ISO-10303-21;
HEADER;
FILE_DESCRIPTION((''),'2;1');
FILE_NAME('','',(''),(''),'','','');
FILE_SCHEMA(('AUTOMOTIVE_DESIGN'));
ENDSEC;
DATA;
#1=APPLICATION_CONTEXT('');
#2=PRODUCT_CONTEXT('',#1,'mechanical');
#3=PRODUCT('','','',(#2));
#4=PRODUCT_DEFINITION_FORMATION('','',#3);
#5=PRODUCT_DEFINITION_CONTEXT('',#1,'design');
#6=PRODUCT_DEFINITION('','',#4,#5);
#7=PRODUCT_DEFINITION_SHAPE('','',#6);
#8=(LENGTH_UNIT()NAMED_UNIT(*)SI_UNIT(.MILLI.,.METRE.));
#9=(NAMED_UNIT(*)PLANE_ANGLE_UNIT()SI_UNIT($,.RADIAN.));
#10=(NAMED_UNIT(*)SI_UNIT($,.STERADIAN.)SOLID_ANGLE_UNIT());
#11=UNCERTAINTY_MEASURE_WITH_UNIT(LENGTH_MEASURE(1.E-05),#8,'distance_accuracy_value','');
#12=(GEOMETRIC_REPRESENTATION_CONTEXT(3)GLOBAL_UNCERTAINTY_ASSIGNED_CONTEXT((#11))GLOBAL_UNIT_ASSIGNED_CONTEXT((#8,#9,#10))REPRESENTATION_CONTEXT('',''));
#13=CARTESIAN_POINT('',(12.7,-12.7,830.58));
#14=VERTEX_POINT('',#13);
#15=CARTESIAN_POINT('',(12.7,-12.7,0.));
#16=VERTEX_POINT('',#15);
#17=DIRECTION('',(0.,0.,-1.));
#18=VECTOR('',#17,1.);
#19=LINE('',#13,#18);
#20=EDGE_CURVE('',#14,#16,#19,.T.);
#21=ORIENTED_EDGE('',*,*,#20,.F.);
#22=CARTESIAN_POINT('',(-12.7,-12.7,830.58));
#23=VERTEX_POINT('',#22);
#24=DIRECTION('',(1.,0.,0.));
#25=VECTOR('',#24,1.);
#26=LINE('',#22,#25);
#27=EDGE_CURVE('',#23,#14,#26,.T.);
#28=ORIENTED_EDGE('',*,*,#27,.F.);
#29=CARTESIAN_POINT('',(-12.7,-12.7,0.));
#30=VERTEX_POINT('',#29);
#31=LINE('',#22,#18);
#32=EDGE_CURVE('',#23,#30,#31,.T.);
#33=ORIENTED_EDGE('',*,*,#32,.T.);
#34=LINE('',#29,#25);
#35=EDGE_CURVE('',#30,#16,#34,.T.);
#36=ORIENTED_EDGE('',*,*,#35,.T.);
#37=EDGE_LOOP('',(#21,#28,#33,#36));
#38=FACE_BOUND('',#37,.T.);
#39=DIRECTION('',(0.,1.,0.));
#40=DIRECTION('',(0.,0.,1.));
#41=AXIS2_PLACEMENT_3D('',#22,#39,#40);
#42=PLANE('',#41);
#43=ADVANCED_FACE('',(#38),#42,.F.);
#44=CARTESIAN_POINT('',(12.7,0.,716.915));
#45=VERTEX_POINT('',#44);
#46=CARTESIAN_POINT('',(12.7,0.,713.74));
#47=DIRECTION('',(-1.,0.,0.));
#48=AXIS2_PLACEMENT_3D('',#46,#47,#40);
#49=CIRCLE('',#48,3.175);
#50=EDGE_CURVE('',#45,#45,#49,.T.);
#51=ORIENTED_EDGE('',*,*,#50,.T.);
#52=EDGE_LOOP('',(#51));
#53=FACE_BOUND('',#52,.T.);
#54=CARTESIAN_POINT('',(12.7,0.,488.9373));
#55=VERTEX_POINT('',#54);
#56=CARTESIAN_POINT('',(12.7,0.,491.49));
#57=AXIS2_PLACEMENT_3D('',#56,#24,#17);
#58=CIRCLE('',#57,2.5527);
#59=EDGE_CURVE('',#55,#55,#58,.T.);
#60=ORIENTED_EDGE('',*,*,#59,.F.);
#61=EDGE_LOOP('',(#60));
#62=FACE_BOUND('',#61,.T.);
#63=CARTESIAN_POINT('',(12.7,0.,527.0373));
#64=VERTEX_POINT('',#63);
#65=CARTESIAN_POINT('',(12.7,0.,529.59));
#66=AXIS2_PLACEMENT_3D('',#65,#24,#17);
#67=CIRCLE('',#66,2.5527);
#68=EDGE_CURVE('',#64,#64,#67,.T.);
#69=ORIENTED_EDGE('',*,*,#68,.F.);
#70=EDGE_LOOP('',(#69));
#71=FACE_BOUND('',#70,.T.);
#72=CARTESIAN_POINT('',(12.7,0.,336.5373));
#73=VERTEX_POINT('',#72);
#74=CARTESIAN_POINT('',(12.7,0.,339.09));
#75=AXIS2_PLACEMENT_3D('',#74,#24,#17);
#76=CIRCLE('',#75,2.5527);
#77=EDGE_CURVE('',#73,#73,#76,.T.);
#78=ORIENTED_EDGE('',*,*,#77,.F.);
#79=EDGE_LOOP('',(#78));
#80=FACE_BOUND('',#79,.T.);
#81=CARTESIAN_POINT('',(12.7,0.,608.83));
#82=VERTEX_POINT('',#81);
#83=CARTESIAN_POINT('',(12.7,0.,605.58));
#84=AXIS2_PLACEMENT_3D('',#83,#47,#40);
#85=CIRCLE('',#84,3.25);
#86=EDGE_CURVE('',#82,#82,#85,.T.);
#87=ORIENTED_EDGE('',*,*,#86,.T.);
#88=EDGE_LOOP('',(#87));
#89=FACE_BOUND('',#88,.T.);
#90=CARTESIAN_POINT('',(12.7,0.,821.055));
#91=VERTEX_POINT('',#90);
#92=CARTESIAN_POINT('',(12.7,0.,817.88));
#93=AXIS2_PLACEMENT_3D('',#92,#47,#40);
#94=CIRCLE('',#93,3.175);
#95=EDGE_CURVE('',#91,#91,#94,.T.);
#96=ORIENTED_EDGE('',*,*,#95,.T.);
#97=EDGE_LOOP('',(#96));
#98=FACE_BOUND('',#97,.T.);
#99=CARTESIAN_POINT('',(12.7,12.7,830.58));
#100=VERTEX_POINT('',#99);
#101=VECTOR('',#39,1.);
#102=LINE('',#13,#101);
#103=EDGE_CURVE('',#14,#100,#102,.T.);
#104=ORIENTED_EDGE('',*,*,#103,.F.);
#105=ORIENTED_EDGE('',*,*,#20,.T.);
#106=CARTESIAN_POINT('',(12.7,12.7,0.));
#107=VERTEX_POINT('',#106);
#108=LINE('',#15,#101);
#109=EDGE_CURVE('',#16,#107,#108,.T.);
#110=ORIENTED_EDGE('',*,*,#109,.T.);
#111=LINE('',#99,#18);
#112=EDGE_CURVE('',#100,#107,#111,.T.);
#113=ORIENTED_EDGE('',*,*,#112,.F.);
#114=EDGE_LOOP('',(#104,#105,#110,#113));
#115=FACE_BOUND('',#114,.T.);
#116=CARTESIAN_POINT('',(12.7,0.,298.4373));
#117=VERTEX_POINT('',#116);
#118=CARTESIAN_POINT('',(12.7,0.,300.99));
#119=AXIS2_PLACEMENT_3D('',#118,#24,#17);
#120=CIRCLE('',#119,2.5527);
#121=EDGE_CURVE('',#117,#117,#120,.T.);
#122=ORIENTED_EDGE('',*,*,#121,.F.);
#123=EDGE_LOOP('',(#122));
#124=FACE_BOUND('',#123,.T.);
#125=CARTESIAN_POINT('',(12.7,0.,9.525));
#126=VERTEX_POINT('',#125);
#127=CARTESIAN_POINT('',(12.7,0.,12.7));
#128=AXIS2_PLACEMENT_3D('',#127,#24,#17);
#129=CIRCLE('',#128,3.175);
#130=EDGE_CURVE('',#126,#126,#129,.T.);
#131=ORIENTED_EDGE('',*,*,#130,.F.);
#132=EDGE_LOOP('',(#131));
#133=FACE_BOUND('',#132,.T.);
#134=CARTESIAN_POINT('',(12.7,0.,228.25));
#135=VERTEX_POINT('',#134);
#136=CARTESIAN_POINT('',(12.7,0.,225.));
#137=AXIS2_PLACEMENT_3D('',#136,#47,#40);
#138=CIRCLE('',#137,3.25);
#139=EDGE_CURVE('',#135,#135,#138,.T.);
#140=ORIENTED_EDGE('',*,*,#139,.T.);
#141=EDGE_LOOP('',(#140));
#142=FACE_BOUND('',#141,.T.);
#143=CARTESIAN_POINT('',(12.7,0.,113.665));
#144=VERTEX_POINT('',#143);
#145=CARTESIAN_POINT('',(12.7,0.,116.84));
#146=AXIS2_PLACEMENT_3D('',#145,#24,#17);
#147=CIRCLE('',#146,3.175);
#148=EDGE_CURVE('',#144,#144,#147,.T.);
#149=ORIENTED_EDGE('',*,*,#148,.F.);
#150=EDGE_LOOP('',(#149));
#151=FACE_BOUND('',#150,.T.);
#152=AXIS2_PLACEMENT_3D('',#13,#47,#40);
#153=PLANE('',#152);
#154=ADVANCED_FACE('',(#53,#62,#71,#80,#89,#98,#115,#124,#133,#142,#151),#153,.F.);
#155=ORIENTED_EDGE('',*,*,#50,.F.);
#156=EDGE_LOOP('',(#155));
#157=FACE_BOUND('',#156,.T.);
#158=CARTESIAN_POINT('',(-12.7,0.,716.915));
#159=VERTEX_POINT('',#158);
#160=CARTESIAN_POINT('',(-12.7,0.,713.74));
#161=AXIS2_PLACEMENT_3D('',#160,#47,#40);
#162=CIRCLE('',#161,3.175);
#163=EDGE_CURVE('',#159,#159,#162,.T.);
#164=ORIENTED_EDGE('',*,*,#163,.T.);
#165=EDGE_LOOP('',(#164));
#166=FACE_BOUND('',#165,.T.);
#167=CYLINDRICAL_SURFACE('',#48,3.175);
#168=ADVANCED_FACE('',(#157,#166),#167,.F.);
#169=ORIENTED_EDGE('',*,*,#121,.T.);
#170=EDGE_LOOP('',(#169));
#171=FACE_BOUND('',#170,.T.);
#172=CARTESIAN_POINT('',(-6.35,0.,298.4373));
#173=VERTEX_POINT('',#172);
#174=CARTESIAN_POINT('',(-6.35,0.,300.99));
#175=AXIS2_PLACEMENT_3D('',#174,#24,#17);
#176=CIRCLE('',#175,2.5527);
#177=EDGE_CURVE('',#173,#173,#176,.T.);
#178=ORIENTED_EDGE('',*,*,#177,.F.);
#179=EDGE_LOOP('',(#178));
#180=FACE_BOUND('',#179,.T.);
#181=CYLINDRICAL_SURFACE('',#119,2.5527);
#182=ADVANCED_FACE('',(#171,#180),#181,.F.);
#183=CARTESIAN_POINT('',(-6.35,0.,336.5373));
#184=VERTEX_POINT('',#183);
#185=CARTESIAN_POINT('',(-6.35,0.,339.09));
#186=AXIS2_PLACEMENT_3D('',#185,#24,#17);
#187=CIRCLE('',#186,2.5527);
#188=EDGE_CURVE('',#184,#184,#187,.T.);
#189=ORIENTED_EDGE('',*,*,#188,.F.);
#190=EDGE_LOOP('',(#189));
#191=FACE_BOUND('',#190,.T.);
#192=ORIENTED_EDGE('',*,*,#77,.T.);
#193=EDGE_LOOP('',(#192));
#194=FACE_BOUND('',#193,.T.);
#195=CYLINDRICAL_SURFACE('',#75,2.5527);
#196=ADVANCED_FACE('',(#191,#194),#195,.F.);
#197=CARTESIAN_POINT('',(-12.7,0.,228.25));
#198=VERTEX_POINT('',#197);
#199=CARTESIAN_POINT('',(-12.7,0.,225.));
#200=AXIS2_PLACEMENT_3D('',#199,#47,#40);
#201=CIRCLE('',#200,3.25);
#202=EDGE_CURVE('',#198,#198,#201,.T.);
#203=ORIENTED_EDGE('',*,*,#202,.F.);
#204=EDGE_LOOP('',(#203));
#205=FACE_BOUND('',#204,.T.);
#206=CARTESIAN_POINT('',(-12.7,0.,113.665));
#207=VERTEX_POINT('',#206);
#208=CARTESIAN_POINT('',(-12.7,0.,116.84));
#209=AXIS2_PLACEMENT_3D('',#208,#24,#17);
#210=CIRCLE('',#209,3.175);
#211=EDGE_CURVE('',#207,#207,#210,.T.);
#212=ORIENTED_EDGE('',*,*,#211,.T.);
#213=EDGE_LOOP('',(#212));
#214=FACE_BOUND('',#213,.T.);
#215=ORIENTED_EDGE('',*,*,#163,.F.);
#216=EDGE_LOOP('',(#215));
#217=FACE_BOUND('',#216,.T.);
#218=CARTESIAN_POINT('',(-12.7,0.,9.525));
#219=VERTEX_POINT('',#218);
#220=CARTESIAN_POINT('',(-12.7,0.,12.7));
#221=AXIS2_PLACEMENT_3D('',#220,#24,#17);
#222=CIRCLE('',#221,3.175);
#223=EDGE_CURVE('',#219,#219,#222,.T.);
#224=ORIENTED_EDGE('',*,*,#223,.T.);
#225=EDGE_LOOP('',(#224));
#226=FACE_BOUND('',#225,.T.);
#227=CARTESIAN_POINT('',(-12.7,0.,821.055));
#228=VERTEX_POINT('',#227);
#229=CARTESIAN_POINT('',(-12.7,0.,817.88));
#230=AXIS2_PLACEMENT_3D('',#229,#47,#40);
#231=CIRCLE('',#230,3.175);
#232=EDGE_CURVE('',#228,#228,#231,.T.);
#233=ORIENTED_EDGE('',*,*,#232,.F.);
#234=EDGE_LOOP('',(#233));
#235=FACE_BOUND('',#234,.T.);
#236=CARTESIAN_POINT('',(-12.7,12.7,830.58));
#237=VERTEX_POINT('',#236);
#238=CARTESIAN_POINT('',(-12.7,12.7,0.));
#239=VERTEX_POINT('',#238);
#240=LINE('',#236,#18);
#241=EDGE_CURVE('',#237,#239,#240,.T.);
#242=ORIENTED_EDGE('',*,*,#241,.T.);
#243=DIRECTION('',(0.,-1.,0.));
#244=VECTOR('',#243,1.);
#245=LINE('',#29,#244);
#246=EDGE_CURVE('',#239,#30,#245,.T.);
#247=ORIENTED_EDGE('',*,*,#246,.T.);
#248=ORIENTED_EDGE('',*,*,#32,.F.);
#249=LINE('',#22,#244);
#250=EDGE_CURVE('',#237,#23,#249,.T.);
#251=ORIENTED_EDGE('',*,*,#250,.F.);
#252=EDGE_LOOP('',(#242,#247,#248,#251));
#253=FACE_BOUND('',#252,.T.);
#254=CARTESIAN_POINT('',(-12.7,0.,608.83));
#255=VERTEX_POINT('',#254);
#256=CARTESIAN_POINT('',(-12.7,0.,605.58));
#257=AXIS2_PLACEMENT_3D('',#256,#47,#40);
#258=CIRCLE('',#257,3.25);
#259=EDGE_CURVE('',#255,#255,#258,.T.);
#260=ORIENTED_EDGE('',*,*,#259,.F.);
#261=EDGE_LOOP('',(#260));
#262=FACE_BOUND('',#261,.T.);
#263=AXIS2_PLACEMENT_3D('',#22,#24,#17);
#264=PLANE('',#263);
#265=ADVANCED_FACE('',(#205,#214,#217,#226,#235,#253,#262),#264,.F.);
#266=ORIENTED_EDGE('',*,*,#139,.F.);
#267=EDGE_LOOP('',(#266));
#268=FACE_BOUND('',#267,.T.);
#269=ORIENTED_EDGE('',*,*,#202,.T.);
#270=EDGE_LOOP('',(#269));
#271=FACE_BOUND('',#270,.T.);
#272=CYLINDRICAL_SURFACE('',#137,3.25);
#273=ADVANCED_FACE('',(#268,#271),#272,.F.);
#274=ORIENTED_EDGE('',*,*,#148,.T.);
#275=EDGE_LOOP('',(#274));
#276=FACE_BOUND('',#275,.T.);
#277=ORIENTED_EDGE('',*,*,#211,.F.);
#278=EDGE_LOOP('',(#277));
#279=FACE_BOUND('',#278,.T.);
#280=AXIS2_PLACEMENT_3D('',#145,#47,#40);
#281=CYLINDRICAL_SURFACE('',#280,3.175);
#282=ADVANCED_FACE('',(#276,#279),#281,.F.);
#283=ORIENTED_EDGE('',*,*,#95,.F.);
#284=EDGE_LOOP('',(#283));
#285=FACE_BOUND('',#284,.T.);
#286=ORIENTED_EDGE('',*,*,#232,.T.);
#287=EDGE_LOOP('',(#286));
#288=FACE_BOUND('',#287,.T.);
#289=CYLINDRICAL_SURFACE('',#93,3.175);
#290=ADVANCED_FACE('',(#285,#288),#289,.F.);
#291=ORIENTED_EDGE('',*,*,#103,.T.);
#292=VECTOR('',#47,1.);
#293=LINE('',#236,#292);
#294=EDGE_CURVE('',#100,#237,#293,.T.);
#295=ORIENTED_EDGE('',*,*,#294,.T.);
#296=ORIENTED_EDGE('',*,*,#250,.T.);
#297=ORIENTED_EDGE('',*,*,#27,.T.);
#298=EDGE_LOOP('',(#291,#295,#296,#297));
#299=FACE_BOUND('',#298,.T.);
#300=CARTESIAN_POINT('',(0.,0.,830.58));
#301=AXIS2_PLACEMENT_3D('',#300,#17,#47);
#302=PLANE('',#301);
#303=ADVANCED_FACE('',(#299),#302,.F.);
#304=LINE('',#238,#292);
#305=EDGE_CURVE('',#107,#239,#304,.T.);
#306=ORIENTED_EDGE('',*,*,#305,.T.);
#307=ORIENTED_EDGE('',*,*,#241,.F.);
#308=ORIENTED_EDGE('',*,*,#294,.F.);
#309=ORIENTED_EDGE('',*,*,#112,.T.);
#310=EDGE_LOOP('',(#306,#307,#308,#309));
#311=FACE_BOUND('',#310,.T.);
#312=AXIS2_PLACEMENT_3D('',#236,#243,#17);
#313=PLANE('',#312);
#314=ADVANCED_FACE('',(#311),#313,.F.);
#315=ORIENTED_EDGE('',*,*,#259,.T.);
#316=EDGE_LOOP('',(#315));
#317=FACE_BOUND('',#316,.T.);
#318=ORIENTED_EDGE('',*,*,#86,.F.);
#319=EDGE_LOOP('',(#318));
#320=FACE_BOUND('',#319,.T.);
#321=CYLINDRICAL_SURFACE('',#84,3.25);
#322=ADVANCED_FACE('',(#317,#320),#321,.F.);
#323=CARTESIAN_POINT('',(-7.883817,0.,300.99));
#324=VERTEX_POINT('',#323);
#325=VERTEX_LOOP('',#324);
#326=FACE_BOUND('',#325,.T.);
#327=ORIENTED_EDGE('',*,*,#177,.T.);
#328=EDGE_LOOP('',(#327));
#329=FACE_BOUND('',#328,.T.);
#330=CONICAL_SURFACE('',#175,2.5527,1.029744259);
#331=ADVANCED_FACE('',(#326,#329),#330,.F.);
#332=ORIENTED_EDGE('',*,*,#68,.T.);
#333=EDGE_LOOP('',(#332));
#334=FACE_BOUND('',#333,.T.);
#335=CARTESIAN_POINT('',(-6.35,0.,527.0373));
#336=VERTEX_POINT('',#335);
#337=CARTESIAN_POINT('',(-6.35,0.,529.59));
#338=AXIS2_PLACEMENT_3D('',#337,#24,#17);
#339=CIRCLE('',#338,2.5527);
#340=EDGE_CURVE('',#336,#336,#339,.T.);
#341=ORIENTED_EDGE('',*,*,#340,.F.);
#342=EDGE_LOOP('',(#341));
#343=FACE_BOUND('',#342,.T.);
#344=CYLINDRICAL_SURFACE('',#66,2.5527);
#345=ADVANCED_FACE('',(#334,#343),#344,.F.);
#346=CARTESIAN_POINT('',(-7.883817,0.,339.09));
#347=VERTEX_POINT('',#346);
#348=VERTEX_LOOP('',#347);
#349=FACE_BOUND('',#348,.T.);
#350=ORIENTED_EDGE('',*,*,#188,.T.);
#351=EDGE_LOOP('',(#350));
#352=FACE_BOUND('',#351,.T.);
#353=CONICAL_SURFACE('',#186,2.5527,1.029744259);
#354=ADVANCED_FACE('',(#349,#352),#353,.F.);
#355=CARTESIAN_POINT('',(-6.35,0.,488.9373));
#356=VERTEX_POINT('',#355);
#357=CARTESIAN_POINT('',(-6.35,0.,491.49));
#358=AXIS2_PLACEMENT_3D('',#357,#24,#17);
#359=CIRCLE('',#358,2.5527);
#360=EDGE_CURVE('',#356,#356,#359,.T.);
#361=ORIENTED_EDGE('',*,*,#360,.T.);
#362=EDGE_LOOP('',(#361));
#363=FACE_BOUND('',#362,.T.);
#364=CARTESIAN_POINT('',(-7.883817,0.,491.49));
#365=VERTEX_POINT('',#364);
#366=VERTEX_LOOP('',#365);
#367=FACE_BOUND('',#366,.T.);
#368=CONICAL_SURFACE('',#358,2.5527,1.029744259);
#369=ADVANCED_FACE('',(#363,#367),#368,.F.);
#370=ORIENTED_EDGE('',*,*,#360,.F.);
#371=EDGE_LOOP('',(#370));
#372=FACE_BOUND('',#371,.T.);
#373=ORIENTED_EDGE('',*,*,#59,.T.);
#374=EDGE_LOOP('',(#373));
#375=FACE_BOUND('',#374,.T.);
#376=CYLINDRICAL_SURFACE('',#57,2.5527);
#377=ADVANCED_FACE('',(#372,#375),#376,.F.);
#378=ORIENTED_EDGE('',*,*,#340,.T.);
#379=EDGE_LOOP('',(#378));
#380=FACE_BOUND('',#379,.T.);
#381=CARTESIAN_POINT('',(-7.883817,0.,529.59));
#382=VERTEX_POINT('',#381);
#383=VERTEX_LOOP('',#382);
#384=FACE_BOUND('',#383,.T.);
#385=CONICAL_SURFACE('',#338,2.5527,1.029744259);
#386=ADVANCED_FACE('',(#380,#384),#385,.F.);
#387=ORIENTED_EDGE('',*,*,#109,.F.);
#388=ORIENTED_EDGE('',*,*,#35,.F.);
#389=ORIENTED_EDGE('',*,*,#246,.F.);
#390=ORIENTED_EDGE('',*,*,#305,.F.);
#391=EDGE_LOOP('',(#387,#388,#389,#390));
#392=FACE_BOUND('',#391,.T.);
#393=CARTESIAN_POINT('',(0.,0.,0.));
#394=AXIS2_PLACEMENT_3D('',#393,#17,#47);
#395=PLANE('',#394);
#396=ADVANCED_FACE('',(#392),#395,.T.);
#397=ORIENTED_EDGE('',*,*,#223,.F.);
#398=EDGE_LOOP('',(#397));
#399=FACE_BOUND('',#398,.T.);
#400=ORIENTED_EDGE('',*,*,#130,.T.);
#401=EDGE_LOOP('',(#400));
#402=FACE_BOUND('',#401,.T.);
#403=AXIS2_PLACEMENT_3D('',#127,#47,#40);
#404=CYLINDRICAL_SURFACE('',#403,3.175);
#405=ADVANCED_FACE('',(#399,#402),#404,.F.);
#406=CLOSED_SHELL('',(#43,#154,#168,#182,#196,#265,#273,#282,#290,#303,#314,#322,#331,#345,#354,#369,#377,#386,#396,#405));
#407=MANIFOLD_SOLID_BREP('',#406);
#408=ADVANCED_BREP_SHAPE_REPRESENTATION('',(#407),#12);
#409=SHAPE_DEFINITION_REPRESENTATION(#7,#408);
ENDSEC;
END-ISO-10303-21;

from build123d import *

# Parameters (mm, degrees)
SKETCH1_W                   = 25.4
SKETCH1_H                   = 25.4
BOSS_EXTRUDE1_DEPTH         = 830.58
SKETCH2_R                   = 3.175
CUT_EXTRUDE4_DEPTH          = 26.4
F_1_4_20_TAPPED_HOLE1_D     = 5.1054
F_1_4_20_TAPPED_HOLE1_DEPTH = 19.05
F_1_4_20_TAPPED_HOLE1_TIP   = 1.533816902
SKETCH7_R                   = 3.25
CUT_EXTRUDE5_DEPTH          = 26.4


with BuildPart() as part:
    # Sketch1 → Boss-Extrude1 (new body)
    with BuildSketch(Plane.XY):
        Rectangle(SKETCH1_W, SKETCH1_H)
    extrude(amount=BOSS_EXTRUDE1_DEPTH)

    # Sketch2 → Cut-Extrude4 (cut, through all)
    with BuildSketch(Plane(origin=(-12.7, 0, 0), x_dir=(0, 0, -1), z_dir=(1, 0, 0))):
        with Locations((-12.7, 0)):
            Circle(SKETCH2_R)
        with Locations((-116.84, 0)):
            Circle(SKETCH2_R)
    cut_extrude4 = extrude(amount=CUT_EXTRUDE4_DEPTH, mode=Mode.SUBTRACT)

    # Mirror1: Cut-Extrude4 across plane
    add(cut_extrude4.mirror(Plane(origin=(0, 0, 415.29), x_dir=(1, 0, 0), z_dir=(0, 0, -1))), mode=Mode.SUBTRACT)

    # 1/4-20 Tapped Hole1
    with Locations(Plane(origin=(12.7, 0, 0), x_dir=(0, 0, -1), z_dir=(1, 0, 0))):
        with Locations((-300.99, 0), (-529.59, 0), (-491.49, 0), (-339.09, 0)):
            Hole(F_1_4_20_TAPPED_HOLE1_D / 2, depth=F_1_4_20_TAPPED_HOLE1_DEPTH)
            with Locations((0, 0, -(F_1_4_20_TAPPED_HOLE1_DEPTH + F_1_4_20_TAPPED_HOLE1_TIP / 2))):  # 118° drill point
                Cone(0, F_1_4_20_TAPPED_HOLE1_D / 2, F_1_4_20_TAPPED_HOLE1_TIP, mode=Mode.SUBTRACT)

    # Sketch7 → Cut-Extrude5 (cut, through all)
    with BuildSketch(Plane.ZY.offset(12.7)):
        with Locations((605.58, 0)):
            Circle(SKETCH7_R)
        with Locations((225, 0)):
            Circle(SKETCH7_R)
    extrude(amount=-CUT_EXTRUDE5_DEPTH, mode=Mode.SUBTRACT)


solid = part.part
